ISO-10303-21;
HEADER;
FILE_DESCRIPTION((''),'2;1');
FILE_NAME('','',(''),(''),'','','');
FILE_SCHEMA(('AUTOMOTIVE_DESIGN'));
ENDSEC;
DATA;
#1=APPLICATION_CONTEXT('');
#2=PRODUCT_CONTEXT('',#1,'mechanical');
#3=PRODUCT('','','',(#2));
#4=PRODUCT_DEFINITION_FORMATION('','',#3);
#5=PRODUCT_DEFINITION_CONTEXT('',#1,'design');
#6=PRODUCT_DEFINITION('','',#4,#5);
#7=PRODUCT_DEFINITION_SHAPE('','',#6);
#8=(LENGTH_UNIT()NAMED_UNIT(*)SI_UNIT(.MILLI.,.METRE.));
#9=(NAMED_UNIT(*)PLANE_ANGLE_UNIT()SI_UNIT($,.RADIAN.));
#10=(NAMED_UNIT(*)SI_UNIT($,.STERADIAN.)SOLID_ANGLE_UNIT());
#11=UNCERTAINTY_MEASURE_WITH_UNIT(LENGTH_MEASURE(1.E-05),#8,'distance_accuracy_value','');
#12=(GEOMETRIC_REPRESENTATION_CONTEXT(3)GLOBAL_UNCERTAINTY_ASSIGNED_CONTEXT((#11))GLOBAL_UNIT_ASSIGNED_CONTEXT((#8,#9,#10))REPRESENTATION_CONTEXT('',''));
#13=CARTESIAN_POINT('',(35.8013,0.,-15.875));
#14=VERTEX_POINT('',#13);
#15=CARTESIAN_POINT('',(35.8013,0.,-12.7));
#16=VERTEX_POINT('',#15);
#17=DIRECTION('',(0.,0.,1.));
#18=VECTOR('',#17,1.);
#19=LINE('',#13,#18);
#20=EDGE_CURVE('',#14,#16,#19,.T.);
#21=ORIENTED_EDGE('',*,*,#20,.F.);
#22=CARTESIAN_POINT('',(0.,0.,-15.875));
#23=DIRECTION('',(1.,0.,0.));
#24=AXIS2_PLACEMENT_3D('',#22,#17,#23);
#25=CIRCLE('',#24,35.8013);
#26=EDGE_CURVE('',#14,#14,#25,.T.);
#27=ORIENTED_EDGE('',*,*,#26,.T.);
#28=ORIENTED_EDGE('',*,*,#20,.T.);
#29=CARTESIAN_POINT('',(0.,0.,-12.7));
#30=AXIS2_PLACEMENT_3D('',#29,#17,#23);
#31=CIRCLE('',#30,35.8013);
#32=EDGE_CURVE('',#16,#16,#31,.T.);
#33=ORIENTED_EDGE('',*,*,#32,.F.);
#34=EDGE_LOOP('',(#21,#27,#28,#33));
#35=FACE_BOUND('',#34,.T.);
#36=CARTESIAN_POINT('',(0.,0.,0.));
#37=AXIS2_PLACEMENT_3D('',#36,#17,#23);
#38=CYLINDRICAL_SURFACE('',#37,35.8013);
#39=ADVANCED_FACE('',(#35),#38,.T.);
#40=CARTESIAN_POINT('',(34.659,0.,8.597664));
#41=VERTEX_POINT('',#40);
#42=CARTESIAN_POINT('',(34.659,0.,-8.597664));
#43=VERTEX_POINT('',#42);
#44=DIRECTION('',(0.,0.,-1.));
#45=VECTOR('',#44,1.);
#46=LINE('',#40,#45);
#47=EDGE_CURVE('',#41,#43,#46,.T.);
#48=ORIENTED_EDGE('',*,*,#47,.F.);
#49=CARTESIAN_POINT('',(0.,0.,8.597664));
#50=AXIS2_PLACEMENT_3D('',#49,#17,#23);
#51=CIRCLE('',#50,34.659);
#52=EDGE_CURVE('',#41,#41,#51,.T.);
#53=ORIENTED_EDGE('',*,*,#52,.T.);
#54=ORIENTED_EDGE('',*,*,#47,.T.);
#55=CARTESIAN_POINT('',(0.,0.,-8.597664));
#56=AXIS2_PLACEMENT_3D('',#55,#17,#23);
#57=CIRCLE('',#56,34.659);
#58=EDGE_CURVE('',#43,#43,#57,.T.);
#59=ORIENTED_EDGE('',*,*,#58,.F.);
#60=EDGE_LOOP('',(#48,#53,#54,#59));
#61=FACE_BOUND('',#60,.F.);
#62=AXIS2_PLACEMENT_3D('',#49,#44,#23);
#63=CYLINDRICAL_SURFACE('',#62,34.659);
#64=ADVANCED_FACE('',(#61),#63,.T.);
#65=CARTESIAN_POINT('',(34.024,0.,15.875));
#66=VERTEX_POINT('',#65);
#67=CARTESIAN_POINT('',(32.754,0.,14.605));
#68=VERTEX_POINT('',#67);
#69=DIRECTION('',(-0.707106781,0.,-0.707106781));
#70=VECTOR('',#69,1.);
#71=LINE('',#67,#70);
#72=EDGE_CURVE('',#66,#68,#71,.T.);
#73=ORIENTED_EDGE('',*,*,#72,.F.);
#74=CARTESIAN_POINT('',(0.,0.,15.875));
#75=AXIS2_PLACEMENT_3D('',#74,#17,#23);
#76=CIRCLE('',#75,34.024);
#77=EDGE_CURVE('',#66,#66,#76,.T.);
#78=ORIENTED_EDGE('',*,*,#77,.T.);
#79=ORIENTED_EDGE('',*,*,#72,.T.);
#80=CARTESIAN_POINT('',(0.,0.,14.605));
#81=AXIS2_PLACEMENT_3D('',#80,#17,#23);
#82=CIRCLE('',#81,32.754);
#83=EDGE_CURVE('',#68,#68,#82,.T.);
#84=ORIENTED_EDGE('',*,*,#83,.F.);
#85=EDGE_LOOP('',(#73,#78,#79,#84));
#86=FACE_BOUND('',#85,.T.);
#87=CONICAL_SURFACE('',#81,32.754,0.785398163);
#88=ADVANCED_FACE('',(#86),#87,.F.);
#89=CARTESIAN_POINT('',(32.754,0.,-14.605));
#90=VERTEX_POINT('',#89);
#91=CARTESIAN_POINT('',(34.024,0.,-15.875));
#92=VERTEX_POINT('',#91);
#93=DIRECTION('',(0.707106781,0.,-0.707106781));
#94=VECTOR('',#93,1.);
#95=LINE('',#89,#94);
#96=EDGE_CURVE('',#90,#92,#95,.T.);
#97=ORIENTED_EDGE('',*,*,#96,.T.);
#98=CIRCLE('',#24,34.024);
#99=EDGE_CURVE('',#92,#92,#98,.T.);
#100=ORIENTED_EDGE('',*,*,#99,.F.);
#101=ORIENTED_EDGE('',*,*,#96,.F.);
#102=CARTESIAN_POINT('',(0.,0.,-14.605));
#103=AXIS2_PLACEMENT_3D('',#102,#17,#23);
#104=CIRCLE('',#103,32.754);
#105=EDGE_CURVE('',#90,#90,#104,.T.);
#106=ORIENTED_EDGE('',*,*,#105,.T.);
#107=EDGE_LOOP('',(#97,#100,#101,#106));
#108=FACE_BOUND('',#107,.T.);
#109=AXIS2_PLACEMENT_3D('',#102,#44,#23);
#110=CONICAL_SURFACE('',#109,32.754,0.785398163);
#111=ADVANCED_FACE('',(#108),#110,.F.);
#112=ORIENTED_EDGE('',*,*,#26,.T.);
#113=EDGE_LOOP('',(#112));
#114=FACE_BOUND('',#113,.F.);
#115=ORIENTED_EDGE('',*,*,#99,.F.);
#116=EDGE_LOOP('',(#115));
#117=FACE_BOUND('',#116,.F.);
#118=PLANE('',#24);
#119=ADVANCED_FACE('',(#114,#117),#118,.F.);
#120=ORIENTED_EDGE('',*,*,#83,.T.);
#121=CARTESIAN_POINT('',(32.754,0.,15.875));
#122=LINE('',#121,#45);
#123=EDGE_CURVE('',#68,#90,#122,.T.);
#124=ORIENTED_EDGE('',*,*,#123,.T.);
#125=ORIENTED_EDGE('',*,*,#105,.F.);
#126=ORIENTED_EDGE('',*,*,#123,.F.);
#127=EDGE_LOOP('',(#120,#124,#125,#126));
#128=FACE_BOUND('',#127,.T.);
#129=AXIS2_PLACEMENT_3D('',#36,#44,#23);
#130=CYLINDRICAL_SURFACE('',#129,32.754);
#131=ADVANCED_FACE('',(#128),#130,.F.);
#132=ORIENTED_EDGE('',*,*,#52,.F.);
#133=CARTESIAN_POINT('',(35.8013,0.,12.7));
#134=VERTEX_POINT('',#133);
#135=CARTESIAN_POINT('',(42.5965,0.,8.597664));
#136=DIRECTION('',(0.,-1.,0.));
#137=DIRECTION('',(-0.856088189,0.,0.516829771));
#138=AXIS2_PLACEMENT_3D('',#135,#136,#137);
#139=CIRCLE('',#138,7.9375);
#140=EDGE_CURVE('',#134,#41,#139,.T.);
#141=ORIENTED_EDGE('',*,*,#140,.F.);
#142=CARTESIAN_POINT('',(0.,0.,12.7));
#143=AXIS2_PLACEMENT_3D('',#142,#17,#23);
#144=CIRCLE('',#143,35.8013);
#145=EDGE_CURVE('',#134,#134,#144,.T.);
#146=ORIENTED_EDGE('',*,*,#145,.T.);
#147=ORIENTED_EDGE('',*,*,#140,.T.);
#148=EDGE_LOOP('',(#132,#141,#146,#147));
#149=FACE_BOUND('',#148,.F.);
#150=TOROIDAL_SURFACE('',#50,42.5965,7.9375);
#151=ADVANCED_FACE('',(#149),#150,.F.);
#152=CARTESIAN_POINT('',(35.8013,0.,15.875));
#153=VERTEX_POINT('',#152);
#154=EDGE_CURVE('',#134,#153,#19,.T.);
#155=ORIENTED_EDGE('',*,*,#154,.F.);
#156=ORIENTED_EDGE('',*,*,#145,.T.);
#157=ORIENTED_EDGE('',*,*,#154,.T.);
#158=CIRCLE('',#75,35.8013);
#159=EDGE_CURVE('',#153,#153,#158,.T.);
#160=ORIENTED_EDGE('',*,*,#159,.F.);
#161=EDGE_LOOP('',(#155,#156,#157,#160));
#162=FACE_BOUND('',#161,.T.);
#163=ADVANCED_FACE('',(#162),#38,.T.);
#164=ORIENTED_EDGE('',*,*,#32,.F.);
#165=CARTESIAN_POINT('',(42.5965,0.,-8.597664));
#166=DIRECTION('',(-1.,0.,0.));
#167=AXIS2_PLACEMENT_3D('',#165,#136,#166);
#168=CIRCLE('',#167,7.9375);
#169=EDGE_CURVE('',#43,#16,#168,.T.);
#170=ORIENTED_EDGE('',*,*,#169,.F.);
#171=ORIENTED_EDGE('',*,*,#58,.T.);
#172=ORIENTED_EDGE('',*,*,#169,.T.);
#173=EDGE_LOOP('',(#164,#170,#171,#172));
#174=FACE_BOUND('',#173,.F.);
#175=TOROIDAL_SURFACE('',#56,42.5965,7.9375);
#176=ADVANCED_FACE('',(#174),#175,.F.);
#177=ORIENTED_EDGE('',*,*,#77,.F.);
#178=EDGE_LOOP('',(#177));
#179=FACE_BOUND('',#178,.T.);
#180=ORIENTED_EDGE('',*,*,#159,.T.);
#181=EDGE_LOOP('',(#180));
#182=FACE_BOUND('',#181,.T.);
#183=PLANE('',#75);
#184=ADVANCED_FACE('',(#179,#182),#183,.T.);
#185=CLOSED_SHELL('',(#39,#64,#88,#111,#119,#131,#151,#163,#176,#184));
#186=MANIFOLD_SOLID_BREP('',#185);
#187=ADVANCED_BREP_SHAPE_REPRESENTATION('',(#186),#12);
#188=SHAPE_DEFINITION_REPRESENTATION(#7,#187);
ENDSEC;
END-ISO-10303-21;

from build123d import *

# Parameters (mm, degrees)
SKETCH1_R           = 35.8013
SKETCH1_R_2         = 32.754
BOSS_EXTRUDE1_DEPTH = 15.875
CHAMFER1_SIZE       = 1.27


with BuildPart() as part:
    # Sketch1 → Boss-Extrude1 (new body, symmetric)
    with BuildSketch(Plane.XY):
        Circle(SKETCH1_R)
        Circle(SKETCH1_R_2, mode=Mode.SUBTRACT)
    extrude(amount=BOSS_EXTRUDE1_DEPTH, both=True)

    # Chamfer1
    chamfer1_edges = [part.edges().sort_by_distance(p)[0] for p in [
        (-32.754, 0, -15.875),
        (-32.754, 0, 15.875),
    ]]
    chamfer(chamfer1_edges, length=CHAMFER1_SIZE)

    # Sketch6 → Cut-Revolve2 (revolve, cut)
    with BuildSketch(Plane(origin=(0, 0, 0), x_dir=(1, 0, 0), z_dir=(0, 1, 0))):
        with BuildLine():
            Line((34.659, -8.597663689), (34.659, 8.597663689))
            ThreePointArc((34.659, 8.597663689), (34.949905783, 10.726866151), (35.8013, 12.7))
            Line((35.8013, 12.7), (35.8013, -12.7))
            ThreePointArc((35.8013, -12.7), (34.949905783, -10.726866151), (34.659, -8.597663689))
        make_face()
    revolve(axis=Axis((0, 0, -15.875), (0, 0, 1)), mode=Mode.SUBTRACT)


solid = part.part
